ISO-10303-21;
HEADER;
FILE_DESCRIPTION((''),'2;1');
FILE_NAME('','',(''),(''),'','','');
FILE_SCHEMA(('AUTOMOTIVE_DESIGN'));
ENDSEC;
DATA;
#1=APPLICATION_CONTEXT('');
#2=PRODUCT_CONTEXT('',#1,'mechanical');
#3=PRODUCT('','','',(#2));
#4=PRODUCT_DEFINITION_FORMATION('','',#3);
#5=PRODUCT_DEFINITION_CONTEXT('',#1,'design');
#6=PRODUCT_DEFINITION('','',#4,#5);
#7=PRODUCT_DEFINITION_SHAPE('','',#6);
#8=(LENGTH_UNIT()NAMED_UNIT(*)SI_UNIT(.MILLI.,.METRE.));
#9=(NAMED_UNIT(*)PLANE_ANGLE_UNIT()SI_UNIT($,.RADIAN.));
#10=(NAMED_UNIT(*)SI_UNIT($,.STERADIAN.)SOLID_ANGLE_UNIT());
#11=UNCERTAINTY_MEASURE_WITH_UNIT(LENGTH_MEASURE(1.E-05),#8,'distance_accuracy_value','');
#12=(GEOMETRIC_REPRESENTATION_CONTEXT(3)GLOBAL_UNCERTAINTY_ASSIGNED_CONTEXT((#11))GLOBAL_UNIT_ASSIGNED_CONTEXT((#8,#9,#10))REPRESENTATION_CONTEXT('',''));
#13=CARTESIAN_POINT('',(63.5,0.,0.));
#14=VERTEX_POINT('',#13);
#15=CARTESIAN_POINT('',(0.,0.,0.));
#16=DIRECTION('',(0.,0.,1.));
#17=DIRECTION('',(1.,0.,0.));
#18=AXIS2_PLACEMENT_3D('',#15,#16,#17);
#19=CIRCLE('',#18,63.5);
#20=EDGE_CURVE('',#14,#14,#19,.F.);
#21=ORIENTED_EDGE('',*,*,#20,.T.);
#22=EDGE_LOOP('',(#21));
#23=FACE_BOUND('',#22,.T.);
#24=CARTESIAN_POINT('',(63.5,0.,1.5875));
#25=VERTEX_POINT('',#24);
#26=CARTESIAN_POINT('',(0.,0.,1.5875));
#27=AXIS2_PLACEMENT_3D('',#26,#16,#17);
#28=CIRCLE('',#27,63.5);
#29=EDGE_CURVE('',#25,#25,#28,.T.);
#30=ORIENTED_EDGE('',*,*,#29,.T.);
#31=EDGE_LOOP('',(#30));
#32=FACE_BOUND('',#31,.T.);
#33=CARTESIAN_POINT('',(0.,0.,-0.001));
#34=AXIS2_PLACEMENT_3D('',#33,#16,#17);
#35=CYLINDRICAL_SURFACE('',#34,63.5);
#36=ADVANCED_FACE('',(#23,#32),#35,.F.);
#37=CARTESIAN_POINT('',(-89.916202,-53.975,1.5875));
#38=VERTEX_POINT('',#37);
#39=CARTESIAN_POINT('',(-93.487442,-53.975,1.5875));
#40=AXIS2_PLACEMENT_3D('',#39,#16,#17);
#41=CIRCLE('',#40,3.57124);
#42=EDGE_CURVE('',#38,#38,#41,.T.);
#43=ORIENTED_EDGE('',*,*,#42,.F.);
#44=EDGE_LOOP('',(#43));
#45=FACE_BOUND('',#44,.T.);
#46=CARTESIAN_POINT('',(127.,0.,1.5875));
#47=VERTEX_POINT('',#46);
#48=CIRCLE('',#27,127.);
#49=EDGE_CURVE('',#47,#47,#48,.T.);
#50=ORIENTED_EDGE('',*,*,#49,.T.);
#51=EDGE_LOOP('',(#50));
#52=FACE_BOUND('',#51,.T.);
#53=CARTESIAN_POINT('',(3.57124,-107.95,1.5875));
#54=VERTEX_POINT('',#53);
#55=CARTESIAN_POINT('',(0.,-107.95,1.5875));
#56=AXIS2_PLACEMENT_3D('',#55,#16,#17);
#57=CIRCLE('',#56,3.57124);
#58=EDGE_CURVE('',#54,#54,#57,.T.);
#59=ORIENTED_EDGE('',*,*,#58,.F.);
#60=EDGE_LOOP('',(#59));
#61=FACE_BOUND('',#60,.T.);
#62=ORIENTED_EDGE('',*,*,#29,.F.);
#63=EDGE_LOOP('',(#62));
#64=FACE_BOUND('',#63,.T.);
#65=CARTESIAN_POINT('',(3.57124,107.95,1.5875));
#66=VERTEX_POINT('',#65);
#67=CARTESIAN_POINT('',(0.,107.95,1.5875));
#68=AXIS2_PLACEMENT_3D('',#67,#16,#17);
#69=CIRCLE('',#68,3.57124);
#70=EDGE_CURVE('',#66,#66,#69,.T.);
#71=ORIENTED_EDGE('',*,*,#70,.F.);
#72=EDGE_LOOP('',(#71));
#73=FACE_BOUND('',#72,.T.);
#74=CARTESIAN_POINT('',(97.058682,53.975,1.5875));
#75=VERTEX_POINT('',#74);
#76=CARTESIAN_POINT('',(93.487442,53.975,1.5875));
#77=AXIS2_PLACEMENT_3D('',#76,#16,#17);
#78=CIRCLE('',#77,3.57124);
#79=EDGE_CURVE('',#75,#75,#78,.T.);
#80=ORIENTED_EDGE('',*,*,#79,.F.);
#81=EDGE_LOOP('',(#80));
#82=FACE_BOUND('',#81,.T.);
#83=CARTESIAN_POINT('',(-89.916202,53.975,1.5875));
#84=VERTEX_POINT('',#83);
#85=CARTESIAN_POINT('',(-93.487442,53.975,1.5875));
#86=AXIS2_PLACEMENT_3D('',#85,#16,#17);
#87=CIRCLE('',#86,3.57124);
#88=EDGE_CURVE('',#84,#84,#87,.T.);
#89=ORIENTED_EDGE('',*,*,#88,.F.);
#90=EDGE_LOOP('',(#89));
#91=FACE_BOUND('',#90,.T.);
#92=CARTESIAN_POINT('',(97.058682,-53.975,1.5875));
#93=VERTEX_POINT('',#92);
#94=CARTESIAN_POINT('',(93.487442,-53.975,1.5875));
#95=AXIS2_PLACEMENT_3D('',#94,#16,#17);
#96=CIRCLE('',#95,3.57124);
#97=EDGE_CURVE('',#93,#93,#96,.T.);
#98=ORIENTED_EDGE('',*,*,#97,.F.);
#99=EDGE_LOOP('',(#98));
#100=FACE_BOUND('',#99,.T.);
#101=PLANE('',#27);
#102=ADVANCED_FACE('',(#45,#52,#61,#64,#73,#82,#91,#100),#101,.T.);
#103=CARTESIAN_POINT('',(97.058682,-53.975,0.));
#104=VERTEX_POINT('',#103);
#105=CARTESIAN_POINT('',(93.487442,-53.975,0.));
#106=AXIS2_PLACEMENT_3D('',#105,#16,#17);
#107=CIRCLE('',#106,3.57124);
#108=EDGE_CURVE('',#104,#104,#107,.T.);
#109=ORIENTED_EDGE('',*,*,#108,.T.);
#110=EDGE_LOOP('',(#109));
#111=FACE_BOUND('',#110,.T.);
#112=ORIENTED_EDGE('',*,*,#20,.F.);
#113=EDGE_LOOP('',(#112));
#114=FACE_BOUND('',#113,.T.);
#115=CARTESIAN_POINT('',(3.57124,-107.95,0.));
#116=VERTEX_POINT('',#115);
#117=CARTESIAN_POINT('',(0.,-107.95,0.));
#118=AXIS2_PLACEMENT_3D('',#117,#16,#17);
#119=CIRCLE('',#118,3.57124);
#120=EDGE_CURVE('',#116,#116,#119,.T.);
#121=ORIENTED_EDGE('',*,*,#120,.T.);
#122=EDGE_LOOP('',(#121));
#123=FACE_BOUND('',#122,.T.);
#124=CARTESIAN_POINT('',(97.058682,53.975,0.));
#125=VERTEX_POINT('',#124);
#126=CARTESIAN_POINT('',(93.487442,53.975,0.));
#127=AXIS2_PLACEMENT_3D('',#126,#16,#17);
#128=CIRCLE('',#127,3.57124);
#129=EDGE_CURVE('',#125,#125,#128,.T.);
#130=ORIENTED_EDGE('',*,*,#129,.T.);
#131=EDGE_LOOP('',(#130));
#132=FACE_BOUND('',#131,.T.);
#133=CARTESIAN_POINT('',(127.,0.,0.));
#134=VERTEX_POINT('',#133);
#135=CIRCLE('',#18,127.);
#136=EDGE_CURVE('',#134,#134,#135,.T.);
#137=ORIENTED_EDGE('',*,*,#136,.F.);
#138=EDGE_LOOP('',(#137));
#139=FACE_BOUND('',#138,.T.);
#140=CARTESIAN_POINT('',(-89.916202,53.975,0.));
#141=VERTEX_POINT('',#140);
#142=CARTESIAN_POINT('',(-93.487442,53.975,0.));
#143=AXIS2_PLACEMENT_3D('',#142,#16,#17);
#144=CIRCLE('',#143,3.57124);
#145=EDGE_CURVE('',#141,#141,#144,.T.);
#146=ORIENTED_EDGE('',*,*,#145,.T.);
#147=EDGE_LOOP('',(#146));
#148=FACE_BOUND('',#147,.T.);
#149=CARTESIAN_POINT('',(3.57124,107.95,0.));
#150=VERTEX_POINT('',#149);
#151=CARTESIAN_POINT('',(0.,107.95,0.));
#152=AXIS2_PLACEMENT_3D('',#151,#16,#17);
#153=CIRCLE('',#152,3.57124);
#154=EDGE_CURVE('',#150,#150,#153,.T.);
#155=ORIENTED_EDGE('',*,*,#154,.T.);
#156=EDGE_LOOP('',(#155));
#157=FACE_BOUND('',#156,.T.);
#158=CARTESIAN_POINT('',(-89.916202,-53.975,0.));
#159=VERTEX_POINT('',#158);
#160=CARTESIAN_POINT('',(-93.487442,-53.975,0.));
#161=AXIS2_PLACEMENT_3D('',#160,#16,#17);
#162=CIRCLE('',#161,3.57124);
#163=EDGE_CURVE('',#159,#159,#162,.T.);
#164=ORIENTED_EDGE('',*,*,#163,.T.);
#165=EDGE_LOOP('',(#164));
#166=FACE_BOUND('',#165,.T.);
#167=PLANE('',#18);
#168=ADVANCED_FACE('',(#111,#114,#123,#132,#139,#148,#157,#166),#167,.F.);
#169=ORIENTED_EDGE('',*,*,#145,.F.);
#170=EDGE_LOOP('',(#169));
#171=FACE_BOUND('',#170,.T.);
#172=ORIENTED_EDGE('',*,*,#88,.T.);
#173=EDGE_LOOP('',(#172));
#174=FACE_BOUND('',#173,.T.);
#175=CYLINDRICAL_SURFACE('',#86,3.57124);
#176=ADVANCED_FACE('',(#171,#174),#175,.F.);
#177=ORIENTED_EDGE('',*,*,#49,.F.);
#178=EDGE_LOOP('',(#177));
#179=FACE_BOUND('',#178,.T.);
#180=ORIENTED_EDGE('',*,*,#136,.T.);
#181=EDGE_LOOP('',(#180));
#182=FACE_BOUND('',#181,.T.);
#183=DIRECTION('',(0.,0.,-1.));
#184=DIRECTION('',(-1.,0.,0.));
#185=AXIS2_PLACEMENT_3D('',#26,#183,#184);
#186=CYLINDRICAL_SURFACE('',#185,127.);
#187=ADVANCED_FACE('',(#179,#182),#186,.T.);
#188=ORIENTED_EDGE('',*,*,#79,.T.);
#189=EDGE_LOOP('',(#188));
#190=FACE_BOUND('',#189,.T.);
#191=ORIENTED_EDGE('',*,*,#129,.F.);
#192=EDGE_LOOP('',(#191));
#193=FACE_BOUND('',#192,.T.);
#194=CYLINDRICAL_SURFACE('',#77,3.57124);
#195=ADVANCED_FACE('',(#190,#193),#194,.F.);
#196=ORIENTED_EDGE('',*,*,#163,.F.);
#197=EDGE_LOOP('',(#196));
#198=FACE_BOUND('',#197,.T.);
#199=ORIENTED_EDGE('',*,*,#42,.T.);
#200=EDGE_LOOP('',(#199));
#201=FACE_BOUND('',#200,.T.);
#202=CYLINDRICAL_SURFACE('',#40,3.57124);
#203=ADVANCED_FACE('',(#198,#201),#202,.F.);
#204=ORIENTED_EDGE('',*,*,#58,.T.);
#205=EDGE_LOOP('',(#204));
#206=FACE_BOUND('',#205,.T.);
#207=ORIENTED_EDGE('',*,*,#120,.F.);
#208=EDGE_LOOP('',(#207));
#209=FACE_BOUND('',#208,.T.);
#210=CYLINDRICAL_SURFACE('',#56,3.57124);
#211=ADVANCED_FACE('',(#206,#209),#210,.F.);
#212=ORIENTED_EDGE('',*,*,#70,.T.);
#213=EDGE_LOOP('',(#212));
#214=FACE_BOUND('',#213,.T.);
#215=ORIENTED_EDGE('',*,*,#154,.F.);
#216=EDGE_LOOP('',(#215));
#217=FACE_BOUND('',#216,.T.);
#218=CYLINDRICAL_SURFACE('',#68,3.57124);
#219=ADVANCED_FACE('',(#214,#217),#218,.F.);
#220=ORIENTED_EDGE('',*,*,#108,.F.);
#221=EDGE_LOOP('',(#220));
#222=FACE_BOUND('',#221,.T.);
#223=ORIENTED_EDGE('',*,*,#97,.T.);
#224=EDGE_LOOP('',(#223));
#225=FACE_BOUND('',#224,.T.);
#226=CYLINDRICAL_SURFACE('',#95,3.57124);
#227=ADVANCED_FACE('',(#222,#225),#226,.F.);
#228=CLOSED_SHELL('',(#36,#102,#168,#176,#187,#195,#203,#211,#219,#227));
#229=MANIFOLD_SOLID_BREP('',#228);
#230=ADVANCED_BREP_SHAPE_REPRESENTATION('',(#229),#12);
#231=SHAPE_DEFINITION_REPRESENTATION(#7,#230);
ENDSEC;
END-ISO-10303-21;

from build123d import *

# Parameters (mm, degrees)
SKETCH1_R               = 127
BOSS_EXTRUDE1_DEPTH     = 1.5875
F_1_4_CLEARANCE_HOLE1_D = 7.14248
CUT_EXTRUDE1_REACH      = 181.612
SKETCH4_R               = 63.5


with BuildPart() as part:
    # Sketch1 → Boss-Extrude1 (new body)
    with BuildSketch(Plane.XY):
        Circle(SKETCH1_R)
    extrude(amount=BOSS_EXTRUDE1_DEPTH)

    # 1/4 Clearance Hole1 (through all)
    with Locations(Plane.XY.offset(1.5875)):
        with Locations((-93.487442339, 53.975), (0, 107.95), (93.487442339, 53.975), (93.487442339, -53.975), (0, -107.95), (-93.487442339, -53.975)):
            Hole(F_1_4_CLEARANCE_HOLE1_D / 2)

    # Sketch4 → Cut-Extrude1 (cut, up to next)
    with BuildSketch(Plane.XY.offset(1.5875), mode=Mode.PRIVATE) as cut_extrude1_sk1:
        Circle(SKETCH4_R)
    cut_extrude1_tool1 = extrude(cut_extrude1_sk1.sketch, amount=-CUT_EXTRUDE1_REACH, mode=Mode.PRIVATE) & part.part
    add(cut_extrude1_tool1.solids().sort_by_distance((0, 0, 1.5875))[0], mode=Mode.SUBTRACT)


solid = part.part
